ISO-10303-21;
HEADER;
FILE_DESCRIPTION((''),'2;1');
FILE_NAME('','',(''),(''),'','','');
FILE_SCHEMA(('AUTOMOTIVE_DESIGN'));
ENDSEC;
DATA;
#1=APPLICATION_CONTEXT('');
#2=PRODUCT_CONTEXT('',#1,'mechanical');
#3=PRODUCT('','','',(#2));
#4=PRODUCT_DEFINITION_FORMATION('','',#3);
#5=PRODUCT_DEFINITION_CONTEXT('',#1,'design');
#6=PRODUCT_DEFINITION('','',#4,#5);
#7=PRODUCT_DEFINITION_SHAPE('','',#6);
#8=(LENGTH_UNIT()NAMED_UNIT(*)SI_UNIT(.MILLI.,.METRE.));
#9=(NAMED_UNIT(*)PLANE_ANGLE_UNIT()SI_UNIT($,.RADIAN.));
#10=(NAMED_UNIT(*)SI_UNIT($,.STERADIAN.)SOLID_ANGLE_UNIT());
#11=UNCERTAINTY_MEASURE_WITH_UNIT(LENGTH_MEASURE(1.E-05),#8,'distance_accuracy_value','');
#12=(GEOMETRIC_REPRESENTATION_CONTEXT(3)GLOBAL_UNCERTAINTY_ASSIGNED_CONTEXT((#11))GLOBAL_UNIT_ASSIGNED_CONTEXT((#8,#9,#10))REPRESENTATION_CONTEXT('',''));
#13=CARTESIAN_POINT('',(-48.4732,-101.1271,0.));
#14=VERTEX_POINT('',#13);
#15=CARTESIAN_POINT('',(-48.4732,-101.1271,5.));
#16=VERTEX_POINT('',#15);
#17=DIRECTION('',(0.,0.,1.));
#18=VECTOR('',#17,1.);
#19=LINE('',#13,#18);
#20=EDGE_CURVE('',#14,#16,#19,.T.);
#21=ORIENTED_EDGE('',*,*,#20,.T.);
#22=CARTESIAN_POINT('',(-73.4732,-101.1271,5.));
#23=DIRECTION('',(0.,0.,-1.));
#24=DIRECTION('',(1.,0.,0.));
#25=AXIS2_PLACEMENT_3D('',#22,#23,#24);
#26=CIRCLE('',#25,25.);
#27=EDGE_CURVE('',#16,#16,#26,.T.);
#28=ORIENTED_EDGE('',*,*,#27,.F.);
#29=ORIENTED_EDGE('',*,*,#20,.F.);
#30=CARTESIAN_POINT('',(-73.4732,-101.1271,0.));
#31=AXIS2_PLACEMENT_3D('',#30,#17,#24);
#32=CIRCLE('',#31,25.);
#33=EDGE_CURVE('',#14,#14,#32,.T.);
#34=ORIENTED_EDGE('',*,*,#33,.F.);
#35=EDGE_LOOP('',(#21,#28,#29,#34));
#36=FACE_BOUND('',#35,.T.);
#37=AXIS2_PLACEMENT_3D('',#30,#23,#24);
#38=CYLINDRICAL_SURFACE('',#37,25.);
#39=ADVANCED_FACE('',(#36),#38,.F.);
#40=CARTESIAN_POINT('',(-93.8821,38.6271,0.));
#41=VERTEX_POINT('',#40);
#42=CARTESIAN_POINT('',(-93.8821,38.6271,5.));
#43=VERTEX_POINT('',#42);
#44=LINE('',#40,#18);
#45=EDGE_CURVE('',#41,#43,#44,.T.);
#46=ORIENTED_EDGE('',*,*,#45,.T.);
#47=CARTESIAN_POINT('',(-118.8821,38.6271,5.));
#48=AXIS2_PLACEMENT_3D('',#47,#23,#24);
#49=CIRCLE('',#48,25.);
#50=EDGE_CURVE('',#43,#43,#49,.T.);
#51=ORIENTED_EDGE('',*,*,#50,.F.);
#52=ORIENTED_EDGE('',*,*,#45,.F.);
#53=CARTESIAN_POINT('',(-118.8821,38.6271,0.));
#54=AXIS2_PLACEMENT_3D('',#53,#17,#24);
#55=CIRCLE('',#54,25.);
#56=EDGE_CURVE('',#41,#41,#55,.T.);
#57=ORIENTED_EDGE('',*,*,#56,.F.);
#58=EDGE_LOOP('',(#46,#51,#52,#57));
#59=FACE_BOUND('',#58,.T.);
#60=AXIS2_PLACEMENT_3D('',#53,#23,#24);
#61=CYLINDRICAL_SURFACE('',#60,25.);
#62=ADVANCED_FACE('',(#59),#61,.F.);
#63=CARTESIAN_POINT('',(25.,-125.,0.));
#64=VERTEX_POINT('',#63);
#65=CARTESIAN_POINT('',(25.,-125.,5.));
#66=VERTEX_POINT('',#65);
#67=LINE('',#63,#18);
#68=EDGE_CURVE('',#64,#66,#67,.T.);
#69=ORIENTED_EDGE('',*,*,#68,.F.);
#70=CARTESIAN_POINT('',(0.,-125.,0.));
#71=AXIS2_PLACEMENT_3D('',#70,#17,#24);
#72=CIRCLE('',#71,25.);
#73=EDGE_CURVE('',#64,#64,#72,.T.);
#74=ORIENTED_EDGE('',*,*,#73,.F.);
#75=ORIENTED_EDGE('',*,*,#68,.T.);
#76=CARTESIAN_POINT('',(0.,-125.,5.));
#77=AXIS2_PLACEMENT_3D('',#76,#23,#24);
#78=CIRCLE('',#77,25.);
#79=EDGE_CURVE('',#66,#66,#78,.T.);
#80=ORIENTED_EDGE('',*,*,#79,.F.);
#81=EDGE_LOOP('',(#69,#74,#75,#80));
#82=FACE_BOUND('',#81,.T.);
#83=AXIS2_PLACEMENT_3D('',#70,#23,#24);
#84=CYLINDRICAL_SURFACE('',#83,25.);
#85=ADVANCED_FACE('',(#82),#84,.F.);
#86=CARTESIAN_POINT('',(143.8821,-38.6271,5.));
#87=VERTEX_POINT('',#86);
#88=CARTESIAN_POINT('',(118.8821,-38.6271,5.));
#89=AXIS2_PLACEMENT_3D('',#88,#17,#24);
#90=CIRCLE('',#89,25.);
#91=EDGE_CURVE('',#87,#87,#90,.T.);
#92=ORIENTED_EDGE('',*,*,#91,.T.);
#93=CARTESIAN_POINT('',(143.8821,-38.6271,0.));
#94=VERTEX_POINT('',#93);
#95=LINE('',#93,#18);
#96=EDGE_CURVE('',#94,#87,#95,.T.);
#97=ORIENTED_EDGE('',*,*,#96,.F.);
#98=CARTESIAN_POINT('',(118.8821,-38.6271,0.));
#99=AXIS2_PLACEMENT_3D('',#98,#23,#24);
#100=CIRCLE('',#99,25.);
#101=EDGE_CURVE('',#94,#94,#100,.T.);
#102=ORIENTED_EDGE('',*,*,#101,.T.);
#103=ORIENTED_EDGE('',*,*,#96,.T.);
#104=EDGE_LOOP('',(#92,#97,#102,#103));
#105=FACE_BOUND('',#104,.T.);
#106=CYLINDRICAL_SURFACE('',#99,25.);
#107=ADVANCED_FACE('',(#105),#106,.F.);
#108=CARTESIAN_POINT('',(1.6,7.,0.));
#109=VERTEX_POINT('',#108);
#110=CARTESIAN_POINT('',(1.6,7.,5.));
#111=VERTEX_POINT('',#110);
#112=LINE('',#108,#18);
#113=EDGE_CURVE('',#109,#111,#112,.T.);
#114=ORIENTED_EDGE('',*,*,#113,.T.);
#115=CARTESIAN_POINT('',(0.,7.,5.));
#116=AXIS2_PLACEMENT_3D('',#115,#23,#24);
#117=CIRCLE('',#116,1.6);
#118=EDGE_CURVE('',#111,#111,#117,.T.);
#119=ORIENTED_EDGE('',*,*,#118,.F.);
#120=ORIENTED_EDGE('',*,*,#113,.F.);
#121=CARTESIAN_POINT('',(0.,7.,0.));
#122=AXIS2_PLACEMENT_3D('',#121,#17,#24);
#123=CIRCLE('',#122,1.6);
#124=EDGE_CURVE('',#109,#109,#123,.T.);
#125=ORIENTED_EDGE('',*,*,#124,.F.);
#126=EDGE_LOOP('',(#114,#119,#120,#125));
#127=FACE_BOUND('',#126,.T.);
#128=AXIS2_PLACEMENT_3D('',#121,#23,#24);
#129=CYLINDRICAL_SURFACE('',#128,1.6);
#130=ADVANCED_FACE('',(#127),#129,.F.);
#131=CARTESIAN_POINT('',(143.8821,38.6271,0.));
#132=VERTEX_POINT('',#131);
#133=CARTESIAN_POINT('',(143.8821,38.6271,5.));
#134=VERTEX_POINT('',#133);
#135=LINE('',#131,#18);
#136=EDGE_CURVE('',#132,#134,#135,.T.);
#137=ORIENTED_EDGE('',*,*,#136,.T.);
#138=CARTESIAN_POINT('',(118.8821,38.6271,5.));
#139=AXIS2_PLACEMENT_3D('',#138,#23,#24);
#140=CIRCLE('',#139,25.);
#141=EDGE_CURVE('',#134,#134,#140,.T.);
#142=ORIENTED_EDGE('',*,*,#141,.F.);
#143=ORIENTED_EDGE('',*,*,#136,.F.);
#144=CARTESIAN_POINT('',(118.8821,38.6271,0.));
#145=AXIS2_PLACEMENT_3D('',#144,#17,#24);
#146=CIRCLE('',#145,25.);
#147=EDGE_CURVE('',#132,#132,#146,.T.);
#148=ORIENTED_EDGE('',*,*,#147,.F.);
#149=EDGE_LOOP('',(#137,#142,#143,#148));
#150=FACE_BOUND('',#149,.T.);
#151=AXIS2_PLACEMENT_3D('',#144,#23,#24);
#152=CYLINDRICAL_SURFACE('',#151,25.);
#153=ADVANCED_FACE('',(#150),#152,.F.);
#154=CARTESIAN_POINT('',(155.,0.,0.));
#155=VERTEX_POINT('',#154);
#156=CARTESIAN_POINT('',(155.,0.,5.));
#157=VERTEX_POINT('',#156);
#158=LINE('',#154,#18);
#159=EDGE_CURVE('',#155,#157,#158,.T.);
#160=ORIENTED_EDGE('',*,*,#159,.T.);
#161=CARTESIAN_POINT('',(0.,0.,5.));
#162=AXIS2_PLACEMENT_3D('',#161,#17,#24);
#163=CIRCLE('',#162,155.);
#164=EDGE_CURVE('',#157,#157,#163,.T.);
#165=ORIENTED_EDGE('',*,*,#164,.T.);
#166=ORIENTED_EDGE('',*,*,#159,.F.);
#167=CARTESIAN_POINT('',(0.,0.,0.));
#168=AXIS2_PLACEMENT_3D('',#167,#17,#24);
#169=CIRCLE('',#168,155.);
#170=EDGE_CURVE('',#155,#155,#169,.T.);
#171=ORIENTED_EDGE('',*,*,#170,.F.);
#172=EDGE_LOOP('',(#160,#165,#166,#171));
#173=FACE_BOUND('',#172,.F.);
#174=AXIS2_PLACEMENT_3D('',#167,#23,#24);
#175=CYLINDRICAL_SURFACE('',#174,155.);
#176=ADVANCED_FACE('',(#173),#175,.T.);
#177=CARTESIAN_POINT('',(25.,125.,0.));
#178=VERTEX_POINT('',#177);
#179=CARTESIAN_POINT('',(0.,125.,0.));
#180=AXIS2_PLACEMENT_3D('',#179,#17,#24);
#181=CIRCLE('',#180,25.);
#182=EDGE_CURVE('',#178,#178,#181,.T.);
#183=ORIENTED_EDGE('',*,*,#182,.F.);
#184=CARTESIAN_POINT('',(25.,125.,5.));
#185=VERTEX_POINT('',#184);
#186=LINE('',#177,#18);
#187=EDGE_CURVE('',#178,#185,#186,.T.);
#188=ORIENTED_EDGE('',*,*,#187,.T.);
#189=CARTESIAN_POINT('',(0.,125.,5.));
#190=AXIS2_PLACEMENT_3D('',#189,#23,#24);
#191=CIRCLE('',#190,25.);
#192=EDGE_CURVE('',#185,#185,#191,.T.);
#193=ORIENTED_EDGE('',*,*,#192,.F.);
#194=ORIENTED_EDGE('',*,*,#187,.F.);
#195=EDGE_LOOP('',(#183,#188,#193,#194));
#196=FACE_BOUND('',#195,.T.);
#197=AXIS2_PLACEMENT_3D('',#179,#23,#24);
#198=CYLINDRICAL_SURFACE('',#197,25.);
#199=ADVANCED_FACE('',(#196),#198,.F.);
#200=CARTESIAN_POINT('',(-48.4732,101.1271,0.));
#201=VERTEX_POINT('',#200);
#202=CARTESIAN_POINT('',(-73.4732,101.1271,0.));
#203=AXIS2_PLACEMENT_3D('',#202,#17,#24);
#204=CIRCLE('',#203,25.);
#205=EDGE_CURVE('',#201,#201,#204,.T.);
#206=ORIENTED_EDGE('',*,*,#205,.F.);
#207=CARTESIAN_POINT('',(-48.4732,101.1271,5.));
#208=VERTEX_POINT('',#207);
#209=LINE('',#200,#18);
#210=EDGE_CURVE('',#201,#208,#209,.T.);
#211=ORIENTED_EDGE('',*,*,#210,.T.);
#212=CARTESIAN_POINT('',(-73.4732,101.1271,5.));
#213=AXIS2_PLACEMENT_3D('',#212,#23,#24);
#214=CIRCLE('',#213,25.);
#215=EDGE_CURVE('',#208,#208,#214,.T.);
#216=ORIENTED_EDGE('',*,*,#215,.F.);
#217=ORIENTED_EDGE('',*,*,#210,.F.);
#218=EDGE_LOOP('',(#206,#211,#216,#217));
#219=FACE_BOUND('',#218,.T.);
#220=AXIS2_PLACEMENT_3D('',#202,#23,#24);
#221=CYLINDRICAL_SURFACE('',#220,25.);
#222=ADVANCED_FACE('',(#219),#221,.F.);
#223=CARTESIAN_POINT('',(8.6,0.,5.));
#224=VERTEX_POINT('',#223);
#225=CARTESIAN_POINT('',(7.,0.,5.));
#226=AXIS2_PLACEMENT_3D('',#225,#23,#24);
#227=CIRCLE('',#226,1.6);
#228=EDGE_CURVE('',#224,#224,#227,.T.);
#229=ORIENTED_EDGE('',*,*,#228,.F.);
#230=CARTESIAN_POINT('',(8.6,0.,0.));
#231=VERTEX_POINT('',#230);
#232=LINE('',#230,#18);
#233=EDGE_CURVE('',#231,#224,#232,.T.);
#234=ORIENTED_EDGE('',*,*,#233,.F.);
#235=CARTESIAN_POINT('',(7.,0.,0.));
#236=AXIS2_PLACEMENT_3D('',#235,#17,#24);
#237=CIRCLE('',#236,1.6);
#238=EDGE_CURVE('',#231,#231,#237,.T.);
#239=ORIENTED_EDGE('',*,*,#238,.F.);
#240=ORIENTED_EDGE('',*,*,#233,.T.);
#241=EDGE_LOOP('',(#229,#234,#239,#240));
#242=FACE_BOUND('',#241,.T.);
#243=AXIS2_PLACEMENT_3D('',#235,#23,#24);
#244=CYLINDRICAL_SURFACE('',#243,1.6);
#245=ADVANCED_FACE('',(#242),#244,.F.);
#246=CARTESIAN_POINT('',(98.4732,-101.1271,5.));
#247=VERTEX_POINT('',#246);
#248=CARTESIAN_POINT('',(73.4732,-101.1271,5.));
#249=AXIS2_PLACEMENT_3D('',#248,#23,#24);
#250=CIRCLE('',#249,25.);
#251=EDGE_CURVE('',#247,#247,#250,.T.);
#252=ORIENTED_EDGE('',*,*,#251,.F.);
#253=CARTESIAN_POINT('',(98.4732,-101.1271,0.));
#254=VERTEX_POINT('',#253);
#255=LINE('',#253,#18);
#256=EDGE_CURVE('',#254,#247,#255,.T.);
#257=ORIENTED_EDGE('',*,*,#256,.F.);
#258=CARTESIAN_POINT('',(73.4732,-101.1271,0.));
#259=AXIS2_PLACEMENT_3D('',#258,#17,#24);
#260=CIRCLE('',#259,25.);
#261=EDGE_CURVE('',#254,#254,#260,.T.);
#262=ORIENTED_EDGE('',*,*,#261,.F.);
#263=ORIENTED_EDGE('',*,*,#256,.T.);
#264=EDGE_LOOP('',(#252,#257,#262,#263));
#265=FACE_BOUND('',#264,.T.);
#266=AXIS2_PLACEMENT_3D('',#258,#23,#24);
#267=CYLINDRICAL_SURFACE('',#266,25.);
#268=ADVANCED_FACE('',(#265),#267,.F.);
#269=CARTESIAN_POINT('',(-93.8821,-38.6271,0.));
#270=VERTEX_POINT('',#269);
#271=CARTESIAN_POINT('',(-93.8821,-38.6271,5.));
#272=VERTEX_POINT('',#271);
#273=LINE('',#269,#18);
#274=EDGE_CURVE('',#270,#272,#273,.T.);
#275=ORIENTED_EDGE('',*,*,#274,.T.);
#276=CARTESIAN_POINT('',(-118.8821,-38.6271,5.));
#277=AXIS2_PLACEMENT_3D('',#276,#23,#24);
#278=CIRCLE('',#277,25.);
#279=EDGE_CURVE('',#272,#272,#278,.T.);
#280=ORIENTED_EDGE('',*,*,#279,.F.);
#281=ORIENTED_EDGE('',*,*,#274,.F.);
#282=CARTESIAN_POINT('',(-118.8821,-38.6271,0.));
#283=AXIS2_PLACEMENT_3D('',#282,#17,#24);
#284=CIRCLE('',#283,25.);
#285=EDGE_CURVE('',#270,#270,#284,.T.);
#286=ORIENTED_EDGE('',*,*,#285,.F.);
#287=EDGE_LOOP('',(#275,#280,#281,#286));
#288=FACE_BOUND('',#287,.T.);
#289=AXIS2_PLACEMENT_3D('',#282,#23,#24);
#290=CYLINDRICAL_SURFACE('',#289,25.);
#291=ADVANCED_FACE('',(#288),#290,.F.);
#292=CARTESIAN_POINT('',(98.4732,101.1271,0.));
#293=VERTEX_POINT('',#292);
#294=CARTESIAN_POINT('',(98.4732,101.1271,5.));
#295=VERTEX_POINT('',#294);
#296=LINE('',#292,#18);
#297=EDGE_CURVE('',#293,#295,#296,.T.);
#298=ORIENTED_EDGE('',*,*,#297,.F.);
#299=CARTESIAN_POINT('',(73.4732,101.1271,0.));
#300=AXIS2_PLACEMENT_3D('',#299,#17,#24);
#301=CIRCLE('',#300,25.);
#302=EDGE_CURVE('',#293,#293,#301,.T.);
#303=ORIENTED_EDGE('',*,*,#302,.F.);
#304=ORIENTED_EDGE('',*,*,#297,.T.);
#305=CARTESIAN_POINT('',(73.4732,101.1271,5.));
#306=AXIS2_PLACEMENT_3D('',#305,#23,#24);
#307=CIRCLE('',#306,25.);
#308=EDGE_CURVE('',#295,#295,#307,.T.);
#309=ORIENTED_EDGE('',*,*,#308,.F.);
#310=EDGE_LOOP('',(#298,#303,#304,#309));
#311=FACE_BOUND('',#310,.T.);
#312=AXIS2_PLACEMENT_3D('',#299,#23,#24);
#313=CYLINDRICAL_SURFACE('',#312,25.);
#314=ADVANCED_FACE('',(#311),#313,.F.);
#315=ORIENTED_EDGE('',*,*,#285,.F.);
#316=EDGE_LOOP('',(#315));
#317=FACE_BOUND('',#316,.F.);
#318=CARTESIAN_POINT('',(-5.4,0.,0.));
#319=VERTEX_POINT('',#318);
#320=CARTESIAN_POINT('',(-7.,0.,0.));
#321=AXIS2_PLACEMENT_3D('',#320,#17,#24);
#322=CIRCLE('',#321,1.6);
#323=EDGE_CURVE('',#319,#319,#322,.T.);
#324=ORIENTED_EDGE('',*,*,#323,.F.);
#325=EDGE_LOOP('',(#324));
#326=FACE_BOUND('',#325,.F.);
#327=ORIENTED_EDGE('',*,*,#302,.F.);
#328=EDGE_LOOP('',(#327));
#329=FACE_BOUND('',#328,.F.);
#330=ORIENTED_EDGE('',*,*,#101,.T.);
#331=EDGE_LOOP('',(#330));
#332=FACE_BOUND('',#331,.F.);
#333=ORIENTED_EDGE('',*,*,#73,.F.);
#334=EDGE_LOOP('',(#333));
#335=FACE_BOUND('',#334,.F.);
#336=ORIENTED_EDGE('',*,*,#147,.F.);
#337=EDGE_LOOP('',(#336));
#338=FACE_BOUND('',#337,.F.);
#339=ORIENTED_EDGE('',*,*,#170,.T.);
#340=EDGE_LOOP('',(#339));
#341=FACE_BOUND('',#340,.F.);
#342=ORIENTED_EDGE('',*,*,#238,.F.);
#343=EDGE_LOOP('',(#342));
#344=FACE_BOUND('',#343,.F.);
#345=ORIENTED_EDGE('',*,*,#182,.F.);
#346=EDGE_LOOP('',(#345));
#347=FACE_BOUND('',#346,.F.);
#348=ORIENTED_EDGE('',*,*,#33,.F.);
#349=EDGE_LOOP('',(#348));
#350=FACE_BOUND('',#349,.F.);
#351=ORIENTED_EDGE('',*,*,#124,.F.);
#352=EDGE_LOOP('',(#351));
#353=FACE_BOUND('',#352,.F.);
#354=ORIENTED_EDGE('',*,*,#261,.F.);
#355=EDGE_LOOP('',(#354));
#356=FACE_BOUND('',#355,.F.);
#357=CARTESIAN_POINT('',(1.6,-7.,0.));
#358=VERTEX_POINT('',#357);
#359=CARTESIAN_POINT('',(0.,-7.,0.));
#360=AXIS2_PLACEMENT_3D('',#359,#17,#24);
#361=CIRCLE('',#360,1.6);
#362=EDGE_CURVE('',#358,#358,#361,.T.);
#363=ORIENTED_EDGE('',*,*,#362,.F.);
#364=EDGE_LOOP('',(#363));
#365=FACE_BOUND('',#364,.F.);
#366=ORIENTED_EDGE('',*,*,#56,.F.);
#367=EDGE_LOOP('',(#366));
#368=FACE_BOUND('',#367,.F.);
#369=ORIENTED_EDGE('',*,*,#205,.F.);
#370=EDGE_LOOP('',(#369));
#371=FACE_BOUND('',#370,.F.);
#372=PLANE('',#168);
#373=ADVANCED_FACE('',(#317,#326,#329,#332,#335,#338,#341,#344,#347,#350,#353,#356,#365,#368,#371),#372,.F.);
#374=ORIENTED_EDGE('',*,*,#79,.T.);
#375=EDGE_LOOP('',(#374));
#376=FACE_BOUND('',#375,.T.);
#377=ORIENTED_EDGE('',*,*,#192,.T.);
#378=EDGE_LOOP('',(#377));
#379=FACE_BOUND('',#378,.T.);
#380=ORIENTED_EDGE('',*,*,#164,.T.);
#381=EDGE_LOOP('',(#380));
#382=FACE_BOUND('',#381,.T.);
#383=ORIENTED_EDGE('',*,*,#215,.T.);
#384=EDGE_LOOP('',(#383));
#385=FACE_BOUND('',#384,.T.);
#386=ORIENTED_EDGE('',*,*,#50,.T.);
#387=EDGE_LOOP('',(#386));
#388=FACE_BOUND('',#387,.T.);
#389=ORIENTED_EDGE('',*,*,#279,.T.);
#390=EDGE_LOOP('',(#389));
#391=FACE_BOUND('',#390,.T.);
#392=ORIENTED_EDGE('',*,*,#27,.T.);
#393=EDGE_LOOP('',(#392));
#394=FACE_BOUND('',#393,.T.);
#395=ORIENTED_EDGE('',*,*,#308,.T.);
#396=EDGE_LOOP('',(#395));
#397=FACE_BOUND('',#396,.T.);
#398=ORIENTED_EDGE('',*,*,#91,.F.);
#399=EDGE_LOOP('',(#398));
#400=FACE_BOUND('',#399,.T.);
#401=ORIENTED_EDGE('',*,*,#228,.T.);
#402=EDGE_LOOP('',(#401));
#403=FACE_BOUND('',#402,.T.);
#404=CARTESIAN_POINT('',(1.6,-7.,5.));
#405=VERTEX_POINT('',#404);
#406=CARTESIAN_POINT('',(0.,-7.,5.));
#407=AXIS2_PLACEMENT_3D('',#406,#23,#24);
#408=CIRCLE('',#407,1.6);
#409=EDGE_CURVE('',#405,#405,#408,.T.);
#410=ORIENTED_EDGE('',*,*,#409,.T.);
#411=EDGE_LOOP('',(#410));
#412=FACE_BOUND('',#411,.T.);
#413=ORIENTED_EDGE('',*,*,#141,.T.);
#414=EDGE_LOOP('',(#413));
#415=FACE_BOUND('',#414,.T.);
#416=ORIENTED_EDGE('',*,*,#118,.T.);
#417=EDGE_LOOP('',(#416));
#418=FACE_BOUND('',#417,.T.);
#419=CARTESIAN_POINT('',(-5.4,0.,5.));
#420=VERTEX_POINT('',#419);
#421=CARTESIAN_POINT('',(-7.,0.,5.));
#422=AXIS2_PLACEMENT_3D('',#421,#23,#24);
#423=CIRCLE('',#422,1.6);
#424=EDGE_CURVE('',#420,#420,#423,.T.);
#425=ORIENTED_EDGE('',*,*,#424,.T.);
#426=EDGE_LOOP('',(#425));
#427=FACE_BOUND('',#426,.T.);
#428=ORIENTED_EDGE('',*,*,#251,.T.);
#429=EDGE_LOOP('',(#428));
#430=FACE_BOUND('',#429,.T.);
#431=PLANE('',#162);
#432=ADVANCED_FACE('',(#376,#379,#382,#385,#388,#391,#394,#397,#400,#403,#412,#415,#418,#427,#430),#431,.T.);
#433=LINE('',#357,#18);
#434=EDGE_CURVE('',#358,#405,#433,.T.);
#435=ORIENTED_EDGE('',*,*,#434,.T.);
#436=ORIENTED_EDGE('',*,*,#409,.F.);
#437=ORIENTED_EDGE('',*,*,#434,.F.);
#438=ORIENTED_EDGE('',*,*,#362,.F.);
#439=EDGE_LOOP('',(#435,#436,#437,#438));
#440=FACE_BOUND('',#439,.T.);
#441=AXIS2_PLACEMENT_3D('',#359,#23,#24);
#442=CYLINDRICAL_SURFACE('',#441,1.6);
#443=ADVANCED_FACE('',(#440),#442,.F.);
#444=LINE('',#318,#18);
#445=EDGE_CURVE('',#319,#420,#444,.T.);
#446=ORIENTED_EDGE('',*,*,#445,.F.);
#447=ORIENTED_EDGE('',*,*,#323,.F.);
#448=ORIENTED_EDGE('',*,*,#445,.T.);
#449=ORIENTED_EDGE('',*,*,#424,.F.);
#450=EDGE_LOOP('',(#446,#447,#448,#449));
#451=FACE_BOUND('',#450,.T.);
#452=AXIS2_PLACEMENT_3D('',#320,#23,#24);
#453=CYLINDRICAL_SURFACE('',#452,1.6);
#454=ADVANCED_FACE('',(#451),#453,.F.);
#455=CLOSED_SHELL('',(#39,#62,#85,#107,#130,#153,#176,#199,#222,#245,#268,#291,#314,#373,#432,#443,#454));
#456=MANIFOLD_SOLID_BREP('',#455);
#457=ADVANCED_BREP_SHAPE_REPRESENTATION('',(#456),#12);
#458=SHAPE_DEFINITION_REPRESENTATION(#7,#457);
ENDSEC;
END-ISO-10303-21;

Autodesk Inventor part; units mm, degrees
ref_plane "YZ Plane" through (0, 0, 0) normal (1, 0, 0) x (0, 1, 0)
ref_plane "XZ Plane" through (0, 0, 0) normal (0, 1, 0) x (-1, 0, 0)
ref_plane "XY Plane" through (0, 0, 0) normal (0, 0, 1) x (1, 0, 0)
sketch "Sketch1" plane through (0, 0, 0) normal (0, 0, 1) x (1, 0, 0)
  circle A0 centre (0, 0) radius 150
  circle A1 centre (0, 0) radius 100
  circle A2 centre (0, -125) radius 25
  circle A3 centre (73.4732, -101.1271) radius 25
  circle A4 centre (118.8821, -38.6271) radius 25
  circle A5 centre (118.8821, 38.6271) radius 25
  circle A6 centre (73.4732, 101.1271) radius 25
  circle A7 centre (0, 125) radius 25
  circle A8 centre (-73.4732, 101.1271) radius 25
  circle A9 centre (-118.8821, 38.6271) radius 25
  circle A10 centre (-118.8821, -38.6271) radius 25
  circle A11 centre (-73.4732, -101.1271) radius 25
  circle A12 centre (0, 0) radius 50
  circle A13 centre (0, 0) radius 155
  circle A14 centre (0, 0) radius 20
  circle A15 centre (20, 0) radius 2.5
  circle A16 centre (0, -20) radius 2.5
  circle A17 centre (-20, 0) radius 2.5
  circle A18 centre (0, 20) radius 2.5
  circle A19 centre (0, 0) radius 7
  circle A20 centre (0, 7) radius 1.6
  circle A21 centre (7, 0) radius 1.6
  circle A22 centre (0, -7) radius 1.6
  circle A23 centre (-7, 0) radius 1.6
  dimension "d0" = 300
  dimension "d1" = 200
  dimension "d2" = 50
  dimension "d5" = 360
  dimension "d7" = 100
  dimension "d13" = 310
  dimension "d17" = 40
  dimension "d18" = 5
  dimension "d19" = 5
  dimension "d20" = 5
  dimension "d21" = 5
  dimension "d29" = 14
  dimension "d30" = 3.2
  dimension "d31" = 3.2
  dimension "d32" = 3.2
  dimension "d33" = 3.2
extrude "Extrusion1" add sketch "Sketch1" along normal blind 5 contours A0 A4 A1 A5 | A5 A1 A6 A0 | A0 A3 A1 A4 | A6 A1 A7 A0 | A1 | A0 A2 A1 A3 | A7 A1 A8 A0 | A0 A11 A1 A2 | A8 A1 A9 A0 | A0 A10 A1 A11 | A9 A1 A10 A0 | A12 | A13 | A14 A15 | A14 A15 | A15 A14 A16 A17 A18 | A18 A14 | A14 A18 | A16 A14 | A14 A16 | A17 A14 | A14 A17 | A19 A21 | A19 A21 | A21 A19 A22 A23 A20 | A20 A19 | A19 A20 | A22 A19 | A19 A22 | A23 A19 | A19 A23
extrude "Extrusion5" cut sketch "Sketch1" along normal blind 5 contours A19 A21 | A19 A21 | A20 A19 | A19 A20 | A22 A19 | A19 A22 | A23 A19 | A19 A23
equation "\"d0\" = 6 * Product_dia"
equation "\"d1\" = 4 * Product_dia"
equation "\"d2\" = Product_dia"
equation "\"d7\" = 2 * Product_dia"
equation "\"Product_dia\" = 50"
equation "\"GridTotalSize\" = 63"
equation "\"GridBorderThickness\" = 5"
equation "\"GridBorderFillets\" = 7"
equation "\"BaseTotalWidth\" = 352"
equation "\"GridProcutClearance\" = 3"
equation "\"ProductBaseHeight\" = 35"
properties material "Acetal Resin, Black"
